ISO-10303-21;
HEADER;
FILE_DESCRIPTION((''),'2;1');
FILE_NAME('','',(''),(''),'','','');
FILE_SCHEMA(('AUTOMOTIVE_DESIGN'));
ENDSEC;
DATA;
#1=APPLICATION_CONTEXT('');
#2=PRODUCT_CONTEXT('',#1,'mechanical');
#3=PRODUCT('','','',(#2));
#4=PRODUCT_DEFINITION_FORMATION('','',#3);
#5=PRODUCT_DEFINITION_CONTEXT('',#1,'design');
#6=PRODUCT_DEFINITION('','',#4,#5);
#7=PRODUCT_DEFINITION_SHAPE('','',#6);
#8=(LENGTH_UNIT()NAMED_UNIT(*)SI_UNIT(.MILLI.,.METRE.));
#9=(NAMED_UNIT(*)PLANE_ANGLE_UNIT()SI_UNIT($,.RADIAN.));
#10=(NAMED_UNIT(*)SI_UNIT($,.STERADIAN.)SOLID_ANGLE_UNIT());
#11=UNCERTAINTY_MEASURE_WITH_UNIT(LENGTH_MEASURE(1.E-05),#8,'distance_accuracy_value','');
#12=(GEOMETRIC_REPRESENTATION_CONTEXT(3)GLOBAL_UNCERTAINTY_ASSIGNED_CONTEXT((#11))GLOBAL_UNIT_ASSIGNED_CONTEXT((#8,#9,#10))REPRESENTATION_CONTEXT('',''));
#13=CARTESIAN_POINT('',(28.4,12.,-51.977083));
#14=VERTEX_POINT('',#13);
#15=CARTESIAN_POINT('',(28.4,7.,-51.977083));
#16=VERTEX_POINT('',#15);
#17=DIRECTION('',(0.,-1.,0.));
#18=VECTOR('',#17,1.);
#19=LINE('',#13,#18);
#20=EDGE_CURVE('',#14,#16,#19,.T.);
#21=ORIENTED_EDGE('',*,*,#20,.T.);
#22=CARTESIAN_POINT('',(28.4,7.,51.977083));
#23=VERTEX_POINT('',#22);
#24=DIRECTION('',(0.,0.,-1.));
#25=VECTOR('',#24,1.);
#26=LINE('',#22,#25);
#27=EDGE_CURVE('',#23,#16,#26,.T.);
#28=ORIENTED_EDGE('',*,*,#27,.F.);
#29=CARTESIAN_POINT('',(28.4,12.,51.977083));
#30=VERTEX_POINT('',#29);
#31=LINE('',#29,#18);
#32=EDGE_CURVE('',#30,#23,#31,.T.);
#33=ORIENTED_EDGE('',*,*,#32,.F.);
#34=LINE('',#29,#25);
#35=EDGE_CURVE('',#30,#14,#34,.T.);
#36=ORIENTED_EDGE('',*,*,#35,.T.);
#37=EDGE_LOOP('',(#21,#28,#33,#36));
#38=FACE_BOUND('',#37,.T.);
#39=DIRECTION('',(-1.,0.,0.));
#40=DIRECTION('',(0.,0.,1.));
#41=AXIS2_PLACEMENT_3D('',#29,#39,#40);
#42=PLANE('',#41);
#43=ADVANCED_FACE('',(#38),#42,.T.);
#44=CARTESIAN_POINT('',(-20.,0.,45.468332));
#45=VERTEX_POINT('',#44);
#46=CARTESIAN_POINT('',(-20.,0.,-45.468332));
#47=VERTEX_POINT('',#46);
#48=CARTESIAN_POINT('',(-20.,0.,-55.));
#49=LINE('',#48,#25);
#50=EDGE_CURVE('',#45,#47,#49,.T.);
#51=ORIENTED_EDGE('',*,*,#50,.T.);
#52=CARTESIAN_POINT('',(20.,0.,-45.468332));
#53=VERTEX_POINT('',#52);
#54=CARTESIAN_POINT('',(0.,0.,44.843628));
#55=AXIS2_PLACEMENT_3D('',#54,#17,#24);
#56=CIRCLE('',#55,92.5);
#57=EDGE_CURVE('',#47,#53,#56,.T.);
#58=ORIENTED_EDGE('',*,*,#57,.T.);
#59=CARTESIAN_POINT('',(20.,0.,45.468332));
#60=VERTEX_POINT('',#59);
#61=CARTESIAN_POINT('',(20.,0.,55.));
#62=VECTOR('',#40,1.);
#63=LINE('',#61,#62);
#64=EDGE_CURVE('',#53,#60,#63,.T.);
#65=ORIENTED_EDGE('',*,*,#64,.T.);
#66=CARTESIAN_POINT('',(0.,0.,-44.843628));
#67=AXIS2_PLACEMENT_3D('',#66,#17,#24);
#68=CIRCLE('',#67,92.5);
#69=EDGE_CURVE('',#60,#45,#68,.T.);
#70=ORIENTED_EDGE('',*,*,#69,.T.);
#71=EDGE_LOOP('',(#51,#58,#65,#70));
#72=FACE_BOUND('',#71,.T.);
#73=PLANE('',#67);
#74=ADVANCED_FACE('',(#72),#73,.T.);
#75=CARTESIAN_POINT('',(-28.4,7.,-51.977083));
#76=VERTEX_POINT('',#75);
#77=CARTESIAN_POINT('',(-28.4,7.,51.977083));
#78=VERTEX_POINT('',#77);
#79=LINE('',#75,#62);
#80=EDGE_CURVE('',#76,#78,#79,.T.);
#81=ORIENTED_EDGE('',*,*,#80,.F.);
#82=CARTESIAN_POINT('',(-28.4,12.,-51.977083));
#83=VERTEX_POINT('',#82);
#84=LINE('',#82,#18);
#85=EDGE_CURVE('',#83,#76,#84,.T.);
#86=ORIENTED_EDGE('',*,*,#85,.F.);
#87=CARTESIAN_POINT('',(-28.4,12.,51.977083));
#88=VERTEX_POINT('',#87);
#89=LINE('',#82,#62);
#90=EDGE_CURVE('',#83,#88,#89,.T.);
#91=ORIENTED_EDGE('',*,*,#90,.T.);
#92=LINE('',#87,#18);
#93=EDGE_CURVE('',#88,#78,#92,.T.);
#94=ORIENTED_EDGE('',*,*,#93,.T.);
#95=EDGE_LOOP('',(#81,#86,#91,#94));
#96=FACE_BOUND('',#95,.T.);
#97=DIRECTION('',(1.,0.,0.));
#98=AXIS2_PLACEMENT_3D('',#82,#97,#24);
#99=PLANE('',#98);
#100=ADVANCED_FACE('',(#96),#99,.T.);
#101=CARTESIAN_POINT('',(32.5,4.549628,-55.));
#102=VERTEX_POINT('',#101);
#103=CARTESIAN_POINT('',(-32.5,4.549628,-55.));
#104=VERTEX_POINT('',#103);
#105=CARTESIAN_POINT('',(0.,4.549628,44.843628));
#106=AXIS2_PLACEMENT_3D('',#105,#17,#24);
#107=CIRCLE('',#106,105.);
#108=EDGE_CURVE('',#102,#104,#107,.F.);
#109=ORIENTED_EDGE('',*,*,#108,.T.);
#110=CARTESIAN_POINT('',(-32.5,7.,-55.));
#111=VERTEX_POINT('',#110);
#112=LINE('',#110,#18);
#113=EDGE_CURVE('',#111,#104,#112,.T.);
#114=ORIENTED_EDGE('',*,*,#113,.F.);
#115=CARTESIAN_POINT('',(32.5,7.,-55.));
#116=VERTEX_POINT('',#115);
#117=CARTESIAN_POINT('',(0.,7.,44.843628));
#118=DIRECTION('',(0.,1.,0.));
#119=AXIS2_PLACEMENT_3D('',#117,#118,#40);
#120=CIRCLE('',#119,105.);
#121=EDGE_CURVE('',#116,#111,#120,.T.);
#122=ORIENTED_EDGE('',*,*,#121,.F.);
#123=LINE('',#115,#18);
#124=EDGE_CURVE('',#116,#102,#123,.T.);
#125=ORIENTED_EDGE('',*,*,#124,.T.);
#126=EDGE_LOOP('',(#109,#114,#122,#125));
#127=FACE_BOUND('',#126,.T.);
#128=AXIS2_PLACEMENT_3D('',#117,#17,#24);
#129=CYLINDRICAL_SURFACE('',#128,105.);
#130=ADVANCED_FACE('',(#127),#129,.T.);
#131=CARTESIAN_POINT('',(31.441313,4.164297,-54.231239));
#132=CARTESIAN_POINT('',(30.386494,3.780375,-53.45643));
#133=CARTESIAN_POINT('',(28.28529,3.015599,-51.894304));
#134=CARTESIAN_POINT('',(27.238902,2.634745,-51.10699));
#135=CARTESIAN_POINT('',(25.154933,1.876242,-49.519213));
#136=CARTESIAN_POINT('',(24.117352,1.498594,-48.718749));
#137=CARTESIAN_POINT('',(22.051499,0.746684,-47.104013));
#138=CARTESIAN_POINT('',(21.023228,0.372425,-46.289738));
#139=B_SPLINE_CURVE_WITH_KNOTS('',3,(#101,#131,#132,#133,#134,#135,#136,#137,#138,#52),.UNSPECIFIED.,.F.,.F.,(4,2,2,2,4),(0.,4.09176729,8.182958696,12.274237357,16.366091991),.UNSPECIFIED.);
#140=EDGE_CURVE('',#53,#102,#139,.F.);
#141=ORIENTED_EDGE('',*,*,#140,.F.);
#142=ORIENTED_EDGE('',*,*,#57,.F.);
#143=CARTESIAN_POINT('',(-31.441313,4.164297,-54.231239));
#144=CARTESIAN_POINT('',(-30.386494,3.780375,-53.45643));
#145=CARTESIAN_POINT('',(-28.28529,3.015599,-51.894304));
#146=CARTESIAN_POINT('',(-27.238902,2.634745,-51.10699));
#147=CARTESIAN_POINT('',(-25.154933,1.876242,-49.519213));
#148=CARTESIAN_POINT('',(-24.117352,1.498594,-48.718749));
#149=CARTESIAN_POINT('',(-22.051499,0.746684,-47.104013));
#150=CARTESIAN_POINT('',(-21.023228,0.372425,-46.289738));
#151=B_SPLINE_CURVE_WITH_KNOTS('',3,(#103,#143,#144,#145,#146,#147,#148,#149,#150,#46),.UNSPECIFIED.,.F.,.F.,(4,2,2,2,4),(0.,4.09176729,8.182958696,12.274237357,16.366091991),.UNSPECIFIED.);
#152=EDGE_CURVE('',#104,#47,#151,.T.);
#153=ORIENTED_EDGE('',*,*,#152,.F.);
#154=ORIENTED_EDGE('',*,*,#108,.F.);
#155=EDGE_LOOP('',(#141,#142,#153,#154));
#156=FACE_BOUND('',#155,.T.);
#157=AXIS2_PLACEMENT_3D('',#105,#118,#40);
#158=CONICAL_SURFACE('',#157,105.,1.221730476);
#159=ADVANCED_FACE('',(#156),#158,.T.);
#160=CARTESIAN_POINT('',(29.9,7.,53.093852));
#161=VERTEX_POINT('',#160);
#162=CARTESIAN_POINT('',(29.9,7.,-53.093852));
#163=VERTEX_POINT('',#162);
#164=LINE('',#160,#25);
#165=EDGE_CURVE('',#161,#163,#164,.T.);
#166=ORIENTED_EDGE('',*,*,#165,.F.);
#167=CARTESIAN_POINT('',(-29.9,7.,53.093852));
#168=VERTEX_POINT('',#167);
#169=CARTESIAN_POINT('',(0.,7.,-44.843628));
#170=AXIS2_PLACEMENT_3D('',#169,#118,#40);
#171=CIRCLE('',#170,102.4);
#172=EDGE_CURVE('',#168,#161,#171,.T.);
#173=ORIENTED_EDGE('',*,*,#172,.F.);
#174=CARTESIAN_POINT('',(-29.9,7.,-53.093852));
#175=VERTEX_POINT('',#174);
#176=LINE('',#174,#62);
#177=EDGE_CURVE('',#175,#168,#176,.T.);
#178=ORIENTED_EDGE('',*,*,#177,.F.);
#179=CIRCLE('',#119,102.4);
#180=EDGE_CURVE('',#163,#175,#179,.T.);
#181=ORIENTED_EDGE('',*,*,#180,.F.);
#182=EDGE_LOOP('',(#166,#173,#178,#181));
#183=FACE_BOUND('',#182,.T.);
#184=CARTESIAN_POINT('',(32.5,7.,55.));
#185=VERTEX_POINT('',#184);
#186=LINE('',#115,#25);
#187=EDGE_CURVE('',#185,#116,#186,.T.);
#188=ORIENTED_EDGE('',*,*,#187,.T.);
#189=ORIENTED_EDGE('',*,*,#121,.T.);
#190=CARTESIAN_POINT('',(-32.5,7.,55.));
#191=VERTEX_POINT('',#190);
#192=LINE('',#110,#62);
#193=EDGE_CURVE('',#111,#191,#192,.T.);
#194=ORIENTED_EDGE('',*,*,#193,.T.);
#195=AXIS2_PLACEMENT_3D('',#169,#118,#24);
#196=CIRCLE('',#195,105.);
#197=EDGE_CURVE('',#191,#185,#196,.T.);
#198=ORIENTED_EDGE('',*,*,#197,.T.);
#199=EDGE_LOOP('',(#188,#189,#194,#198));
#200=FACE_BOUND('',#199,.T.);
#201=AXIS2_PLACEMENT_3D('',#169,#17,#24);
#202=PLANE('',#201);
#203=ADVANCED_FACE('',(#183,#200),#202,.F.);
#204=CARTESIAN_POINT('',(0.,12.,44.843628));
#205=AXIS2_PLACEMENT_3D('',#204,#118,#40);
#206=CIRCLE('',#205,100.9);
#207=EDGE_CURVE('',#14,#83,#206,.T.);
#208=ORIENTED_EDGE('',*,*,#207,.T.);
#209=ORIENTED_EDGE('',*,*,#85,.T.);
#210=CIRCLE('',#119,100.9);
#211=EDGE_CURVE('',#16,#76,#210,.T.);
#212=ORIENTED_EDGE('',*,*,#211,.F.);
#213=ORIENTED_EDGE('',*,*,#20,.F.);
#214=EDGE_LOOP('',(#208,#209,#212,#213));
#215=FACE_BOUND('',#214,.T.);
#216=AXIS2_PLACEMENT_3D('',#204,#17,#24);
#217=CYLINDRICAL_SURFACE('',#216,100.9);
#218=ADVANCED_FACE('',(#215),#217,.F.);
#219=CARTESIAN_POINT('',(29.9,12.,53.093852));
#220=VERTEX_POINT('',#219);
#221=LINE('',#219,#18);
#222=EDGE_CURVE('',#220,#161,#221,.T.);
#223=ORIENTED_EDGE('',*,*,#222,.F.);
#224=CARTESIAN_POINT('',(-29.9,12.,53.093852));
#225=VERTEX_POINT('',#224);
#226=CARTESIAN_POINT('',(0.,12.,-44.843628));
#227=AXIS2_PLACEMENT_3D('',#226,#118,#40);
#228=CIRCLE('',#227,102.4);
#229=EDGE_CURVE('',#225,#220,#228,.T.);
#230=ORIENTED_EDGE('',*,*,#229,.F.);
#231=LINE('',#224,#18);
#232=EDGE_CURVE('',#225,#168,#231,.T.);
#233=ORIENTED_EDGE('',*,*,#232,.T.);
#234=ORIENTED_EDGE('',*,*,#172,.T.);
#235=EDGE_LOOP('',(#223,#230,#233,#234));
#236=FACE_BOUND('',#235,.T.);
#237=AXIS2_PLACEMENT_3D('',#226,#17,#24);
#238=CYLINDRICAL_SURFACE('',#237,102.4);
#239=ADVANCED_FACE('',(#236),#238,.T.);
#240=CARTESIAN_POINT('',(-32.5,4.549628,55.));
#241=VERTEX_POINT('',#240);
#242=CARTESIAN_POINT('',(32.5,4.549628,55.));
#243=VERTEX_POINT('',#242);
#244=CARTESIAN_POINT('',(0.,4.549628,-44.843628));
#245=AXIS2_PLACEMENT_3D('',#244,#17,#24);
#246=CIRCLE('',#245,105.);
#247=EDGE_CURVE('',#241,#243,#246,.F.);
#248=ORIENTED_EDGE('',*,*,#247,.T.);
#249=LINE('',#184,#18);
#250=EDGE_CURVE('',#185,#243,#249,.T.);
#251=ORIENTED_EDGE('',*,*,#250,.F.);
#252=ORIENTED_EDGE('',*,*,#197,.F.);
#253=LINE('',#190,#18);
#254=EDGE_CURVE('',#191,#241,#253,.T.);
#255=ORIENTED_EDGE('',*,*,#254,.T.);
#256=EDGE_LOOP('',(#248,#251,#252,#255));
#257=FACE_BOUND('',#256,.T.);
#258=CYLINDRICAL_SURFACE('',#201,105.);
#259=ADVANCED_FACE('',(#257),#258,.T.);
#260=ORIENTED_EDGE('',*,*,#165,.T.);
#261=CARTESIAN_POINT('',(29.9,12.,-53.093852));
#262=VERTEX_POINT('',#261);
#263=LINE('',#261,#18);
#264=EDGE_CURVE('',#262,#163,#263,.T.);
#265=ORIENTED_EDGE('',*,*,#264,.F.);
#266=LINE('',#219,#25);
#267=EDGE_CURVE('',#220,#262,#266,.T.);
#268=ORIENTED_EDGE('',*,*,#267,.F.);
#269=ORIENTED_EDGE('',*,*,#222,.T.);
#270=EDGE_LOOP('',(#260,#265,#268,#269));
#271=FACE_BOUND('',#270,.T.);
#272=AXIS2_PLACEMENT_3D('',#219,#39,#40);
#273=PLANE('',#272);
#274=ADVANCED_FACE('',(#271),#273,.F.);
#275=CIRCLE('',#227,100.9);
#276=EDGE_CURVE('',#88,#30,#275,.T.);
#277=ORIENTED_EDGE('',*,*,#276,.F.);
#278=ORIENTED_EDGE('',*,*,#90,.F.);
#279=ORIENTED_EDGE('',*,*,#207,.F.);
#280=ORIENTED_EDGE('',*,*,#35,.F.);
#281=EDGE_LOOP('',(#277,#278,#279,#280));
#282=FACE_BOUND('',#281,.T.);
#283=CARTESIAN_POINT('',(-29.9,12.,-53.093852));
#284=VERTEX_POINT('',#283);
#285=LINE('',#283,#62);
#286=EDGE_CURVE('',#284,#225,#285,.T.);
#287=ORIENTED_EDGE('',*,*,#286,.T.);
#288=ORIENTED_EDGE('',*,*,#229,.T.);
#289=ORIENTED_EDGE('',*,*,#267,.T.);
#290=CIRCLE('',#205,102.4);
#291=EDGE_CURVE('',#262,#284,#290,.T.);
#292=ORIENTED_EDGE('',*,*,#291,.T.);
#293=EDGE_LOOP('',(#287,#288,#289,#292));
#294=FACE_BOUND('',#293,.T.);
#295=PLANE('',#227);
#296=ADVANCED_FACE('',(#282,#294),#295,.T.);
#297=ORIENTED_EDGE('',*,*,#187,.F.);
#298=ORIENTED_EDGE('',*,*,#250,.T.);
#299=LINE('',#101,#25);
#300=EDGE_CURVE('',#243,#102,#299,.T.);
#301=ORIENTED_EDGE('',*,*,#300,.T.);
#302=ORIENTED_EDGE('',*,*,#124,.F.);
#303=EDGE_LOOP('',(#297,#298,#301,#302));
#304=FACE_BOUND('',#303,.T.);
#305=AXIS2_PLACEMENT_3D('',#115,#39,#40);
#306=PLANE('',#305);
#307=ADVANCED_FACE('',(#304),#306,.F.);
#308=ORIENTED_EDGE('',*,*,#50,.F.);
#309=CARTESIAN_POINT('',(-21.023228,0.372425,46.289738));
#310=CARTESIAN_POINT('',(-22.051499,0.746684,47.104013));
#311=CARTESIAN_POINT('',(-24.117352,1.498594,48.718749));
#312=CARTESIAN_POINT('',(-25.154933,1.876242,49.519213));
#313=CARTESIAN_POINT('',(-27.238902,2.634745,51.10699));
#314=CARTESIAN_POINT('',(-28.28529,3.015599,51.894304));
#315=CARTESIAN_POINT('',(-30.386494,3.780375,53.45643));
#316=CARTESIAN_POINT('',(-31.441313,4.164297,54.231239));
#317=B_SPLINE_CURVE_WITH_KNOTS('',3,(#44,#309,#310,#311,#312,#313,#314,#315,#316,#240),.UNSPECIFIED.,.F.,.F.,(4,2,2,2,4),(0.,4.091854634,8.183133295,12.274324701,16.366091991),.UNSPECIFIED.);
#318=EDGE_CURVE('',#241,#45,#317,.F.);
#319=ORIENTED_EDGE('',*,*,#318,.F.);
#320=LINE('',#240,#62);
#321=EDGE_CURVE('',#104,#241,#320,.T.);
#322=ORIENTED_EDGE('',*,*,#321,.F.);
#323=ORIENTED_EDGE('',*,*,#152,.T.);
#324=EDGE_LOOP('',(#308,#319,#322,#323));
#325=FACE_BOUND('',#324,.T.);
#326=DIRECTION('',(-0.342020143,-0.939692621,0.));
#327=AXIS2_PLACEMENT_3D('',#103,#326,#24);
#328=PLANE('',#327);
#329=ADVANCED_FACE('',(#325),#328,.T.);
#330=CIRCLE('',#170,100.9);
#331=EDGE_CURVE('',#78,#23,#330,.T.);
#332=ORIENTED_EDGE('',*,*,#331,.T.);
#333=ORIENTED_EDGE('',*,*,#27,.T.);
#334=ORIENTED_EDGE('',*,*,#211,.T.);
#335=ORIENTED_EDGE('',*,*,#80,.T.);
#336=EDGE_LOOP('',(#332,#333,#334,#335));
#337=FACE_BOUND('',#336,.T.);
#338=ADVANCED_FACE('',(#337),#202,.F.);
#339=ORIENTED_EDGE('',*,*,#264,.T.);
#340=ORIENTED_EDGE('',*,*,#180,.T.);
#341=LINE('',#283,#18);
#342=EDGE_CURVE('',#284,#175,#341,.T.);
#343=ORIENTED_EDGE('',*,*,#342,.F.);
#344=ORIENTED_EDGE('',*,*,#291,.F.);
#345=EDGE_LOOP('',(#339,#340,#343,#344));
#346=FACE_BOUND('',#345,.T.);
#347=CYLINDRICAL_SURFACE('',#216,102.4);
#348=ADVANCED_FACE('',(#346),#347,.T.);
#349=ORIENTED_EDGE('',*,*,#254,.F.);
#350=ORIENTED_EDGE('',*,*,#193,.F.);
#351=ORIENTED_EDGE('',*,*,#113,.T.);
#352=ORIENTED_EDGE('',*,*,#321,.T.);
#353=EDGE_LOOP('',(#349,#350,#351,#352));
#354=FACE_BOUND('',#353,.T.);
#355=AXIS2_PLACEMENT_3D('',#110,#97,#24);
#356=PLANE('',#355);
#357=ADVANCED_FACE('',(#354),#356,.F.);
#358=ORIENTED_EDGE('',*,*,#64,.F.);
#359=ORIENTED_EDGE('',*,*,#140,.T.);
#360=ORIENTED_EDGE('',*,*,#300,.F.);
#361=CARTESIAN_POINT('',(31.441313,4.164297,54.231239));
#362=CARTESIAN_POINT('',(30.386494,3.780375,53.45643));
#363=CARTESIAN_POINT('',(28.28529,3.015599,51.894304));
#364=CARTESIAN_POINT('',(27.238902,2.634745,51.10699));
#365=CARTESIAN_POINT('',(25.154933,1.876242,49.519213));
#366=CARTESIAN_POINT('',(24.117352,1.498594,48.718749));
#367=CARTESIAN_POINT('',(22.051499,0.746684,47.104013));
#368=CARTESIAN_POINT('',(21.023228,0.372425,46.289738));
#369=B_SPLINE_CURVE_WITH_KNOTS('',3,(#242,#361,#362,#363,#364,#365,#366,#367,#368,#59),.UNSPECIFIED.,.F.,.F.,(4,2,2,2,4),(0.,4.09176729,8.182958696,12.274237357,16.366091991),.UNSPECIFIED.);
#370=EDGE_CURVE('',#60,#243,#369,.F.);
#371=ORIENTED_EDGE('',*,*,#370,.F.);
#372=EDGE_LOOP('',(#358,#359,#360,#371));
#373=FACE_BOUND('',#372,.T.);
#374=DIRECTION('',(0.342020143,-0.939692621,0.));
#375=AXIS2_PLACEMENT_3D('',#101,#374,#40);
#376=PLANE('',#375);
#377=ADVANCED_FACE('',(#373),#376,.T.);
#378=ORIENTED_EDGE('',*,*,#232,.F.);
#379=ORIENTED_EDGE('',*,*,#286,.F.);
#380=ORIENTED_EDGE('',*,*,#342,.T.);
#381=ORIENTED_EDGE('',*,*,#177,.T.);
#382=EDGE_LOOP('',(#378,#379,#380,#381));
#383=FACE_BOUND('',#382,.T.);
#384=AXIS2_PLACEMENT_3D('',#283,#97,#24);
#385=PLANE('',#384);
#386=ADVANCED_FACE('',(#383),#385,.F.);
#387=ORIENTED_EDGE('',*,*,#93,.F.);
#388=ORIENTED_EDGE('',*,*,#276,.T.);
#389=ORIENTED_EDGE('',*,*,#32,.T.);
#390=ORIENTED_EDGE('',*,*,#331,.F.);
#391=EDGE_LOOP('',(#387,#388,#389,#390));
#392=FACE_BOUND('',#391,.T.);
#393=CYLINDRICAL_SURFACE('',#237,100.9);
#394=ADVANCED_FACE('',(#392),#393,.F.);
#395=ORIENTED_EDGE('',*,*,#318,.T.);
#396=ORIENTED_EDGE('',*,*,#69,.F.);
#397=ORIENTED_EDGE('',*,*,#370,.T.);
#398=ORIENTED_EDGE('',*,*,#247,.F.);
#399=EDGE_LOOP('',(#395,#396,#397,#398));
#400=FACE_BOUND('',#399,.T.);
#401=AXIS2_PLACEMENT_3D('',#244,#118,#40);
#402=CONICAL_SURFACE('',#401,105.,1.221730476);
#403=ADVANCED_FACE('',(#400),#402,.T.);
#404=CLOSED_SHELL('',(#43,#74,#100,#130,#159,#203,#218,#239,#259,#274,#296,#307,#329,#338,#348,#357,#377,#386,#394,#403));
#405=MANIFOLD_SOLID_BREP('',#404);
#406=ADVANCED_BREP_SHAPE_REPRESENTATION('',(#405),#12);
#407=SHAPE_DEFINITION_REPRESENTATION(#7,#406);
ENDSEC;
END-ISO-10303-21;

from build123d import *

# Parameters (mm, degrees)
BOSS_EXTRUDE1_DEPTH = 7
BOSS_EXTRUDE2_DEPTH = 5
CHAMFER1_SIZE       = 12.5
CHAMFER1_SIZE2      = 4.549627928


with BuildPart() as part:
    # Sketch1 → Boss-Extrude1 (new body)
    with BuildSketch(Plane(origin=(0, 0, 0), x_dir=(1, 0, 0), z_dir=(0, 1, 0))):
        with BuildLine():
            Line((-32.5, 55), (-32.5, -55))
            ThreePointArc((-32.5, -55), (0, -60.156372261), (32.5, -55))
            Line((32.5, -55), (32.5, 55))
            ThreePointArc((32.5, 55), (0, 60.156372261), (-32.5, 55))
        make_face()
    extrude(amount=BOSS_EXTRUDE1_DEPTH)

    # Sketch2 → Boss-Extrude2 (add)
    with BuildSketch(Plane(origin=(0, 7, 0), x_dir=(1, 0, 0), z_dir=(0, 1, 0))):
        with BuildLine():
            Line((29.9, -53.093852319), (29.9, 53.093852319))
            ThreePointArc((29.9, 53.093852319), (0, 57.556372261), (-29.9, 53.093852319))
            Line((-29.9, 53.093852319), (-29.9, -53.093852319))
            ThreePointArc((-29.9, -53.093852319), (0, -57.556372261), (29.9, -53.093852319))
        make_face()
        with BuildLine():
            Line((28.4, -51.977082856), (28.4, 51.977082856))
            ThreePointArc((28.4, 51.977082856), (0, 56.056372261), (-28.4, 51.977082856))
            Line((-28.4, 51.977082856), (-28.4, -51.977082856))
            ThreePointArc((-28.4, -51.977082856), (0, -56.056372261), (28.4, -51.977082856))
        make_face(mode=Mode.SUBTRACT)
    extrude(amount=BOSS_EXTRUDE2_DEPTH)

    # Chamfer1
    chamfer1_edges = [part.edges().sort_by_distance(p)[0] for p in [
        (-32.5, 0, 0),
        (0, 0, -60.156372261),
        (32.5, 0, 0),
        (0, 0, 60.156372261),
    ]]
    chamfer1_side = [part.faces().sort_by_distance(p)[0] for p in [
        (0, 0, 0),
    ]]
    chamfer(chamfer1_edges, length=CHAMFER1_SIZE, length2=CHAMFER1_SIZE2, reference=chamfer1_side[0])


solid = part.part
